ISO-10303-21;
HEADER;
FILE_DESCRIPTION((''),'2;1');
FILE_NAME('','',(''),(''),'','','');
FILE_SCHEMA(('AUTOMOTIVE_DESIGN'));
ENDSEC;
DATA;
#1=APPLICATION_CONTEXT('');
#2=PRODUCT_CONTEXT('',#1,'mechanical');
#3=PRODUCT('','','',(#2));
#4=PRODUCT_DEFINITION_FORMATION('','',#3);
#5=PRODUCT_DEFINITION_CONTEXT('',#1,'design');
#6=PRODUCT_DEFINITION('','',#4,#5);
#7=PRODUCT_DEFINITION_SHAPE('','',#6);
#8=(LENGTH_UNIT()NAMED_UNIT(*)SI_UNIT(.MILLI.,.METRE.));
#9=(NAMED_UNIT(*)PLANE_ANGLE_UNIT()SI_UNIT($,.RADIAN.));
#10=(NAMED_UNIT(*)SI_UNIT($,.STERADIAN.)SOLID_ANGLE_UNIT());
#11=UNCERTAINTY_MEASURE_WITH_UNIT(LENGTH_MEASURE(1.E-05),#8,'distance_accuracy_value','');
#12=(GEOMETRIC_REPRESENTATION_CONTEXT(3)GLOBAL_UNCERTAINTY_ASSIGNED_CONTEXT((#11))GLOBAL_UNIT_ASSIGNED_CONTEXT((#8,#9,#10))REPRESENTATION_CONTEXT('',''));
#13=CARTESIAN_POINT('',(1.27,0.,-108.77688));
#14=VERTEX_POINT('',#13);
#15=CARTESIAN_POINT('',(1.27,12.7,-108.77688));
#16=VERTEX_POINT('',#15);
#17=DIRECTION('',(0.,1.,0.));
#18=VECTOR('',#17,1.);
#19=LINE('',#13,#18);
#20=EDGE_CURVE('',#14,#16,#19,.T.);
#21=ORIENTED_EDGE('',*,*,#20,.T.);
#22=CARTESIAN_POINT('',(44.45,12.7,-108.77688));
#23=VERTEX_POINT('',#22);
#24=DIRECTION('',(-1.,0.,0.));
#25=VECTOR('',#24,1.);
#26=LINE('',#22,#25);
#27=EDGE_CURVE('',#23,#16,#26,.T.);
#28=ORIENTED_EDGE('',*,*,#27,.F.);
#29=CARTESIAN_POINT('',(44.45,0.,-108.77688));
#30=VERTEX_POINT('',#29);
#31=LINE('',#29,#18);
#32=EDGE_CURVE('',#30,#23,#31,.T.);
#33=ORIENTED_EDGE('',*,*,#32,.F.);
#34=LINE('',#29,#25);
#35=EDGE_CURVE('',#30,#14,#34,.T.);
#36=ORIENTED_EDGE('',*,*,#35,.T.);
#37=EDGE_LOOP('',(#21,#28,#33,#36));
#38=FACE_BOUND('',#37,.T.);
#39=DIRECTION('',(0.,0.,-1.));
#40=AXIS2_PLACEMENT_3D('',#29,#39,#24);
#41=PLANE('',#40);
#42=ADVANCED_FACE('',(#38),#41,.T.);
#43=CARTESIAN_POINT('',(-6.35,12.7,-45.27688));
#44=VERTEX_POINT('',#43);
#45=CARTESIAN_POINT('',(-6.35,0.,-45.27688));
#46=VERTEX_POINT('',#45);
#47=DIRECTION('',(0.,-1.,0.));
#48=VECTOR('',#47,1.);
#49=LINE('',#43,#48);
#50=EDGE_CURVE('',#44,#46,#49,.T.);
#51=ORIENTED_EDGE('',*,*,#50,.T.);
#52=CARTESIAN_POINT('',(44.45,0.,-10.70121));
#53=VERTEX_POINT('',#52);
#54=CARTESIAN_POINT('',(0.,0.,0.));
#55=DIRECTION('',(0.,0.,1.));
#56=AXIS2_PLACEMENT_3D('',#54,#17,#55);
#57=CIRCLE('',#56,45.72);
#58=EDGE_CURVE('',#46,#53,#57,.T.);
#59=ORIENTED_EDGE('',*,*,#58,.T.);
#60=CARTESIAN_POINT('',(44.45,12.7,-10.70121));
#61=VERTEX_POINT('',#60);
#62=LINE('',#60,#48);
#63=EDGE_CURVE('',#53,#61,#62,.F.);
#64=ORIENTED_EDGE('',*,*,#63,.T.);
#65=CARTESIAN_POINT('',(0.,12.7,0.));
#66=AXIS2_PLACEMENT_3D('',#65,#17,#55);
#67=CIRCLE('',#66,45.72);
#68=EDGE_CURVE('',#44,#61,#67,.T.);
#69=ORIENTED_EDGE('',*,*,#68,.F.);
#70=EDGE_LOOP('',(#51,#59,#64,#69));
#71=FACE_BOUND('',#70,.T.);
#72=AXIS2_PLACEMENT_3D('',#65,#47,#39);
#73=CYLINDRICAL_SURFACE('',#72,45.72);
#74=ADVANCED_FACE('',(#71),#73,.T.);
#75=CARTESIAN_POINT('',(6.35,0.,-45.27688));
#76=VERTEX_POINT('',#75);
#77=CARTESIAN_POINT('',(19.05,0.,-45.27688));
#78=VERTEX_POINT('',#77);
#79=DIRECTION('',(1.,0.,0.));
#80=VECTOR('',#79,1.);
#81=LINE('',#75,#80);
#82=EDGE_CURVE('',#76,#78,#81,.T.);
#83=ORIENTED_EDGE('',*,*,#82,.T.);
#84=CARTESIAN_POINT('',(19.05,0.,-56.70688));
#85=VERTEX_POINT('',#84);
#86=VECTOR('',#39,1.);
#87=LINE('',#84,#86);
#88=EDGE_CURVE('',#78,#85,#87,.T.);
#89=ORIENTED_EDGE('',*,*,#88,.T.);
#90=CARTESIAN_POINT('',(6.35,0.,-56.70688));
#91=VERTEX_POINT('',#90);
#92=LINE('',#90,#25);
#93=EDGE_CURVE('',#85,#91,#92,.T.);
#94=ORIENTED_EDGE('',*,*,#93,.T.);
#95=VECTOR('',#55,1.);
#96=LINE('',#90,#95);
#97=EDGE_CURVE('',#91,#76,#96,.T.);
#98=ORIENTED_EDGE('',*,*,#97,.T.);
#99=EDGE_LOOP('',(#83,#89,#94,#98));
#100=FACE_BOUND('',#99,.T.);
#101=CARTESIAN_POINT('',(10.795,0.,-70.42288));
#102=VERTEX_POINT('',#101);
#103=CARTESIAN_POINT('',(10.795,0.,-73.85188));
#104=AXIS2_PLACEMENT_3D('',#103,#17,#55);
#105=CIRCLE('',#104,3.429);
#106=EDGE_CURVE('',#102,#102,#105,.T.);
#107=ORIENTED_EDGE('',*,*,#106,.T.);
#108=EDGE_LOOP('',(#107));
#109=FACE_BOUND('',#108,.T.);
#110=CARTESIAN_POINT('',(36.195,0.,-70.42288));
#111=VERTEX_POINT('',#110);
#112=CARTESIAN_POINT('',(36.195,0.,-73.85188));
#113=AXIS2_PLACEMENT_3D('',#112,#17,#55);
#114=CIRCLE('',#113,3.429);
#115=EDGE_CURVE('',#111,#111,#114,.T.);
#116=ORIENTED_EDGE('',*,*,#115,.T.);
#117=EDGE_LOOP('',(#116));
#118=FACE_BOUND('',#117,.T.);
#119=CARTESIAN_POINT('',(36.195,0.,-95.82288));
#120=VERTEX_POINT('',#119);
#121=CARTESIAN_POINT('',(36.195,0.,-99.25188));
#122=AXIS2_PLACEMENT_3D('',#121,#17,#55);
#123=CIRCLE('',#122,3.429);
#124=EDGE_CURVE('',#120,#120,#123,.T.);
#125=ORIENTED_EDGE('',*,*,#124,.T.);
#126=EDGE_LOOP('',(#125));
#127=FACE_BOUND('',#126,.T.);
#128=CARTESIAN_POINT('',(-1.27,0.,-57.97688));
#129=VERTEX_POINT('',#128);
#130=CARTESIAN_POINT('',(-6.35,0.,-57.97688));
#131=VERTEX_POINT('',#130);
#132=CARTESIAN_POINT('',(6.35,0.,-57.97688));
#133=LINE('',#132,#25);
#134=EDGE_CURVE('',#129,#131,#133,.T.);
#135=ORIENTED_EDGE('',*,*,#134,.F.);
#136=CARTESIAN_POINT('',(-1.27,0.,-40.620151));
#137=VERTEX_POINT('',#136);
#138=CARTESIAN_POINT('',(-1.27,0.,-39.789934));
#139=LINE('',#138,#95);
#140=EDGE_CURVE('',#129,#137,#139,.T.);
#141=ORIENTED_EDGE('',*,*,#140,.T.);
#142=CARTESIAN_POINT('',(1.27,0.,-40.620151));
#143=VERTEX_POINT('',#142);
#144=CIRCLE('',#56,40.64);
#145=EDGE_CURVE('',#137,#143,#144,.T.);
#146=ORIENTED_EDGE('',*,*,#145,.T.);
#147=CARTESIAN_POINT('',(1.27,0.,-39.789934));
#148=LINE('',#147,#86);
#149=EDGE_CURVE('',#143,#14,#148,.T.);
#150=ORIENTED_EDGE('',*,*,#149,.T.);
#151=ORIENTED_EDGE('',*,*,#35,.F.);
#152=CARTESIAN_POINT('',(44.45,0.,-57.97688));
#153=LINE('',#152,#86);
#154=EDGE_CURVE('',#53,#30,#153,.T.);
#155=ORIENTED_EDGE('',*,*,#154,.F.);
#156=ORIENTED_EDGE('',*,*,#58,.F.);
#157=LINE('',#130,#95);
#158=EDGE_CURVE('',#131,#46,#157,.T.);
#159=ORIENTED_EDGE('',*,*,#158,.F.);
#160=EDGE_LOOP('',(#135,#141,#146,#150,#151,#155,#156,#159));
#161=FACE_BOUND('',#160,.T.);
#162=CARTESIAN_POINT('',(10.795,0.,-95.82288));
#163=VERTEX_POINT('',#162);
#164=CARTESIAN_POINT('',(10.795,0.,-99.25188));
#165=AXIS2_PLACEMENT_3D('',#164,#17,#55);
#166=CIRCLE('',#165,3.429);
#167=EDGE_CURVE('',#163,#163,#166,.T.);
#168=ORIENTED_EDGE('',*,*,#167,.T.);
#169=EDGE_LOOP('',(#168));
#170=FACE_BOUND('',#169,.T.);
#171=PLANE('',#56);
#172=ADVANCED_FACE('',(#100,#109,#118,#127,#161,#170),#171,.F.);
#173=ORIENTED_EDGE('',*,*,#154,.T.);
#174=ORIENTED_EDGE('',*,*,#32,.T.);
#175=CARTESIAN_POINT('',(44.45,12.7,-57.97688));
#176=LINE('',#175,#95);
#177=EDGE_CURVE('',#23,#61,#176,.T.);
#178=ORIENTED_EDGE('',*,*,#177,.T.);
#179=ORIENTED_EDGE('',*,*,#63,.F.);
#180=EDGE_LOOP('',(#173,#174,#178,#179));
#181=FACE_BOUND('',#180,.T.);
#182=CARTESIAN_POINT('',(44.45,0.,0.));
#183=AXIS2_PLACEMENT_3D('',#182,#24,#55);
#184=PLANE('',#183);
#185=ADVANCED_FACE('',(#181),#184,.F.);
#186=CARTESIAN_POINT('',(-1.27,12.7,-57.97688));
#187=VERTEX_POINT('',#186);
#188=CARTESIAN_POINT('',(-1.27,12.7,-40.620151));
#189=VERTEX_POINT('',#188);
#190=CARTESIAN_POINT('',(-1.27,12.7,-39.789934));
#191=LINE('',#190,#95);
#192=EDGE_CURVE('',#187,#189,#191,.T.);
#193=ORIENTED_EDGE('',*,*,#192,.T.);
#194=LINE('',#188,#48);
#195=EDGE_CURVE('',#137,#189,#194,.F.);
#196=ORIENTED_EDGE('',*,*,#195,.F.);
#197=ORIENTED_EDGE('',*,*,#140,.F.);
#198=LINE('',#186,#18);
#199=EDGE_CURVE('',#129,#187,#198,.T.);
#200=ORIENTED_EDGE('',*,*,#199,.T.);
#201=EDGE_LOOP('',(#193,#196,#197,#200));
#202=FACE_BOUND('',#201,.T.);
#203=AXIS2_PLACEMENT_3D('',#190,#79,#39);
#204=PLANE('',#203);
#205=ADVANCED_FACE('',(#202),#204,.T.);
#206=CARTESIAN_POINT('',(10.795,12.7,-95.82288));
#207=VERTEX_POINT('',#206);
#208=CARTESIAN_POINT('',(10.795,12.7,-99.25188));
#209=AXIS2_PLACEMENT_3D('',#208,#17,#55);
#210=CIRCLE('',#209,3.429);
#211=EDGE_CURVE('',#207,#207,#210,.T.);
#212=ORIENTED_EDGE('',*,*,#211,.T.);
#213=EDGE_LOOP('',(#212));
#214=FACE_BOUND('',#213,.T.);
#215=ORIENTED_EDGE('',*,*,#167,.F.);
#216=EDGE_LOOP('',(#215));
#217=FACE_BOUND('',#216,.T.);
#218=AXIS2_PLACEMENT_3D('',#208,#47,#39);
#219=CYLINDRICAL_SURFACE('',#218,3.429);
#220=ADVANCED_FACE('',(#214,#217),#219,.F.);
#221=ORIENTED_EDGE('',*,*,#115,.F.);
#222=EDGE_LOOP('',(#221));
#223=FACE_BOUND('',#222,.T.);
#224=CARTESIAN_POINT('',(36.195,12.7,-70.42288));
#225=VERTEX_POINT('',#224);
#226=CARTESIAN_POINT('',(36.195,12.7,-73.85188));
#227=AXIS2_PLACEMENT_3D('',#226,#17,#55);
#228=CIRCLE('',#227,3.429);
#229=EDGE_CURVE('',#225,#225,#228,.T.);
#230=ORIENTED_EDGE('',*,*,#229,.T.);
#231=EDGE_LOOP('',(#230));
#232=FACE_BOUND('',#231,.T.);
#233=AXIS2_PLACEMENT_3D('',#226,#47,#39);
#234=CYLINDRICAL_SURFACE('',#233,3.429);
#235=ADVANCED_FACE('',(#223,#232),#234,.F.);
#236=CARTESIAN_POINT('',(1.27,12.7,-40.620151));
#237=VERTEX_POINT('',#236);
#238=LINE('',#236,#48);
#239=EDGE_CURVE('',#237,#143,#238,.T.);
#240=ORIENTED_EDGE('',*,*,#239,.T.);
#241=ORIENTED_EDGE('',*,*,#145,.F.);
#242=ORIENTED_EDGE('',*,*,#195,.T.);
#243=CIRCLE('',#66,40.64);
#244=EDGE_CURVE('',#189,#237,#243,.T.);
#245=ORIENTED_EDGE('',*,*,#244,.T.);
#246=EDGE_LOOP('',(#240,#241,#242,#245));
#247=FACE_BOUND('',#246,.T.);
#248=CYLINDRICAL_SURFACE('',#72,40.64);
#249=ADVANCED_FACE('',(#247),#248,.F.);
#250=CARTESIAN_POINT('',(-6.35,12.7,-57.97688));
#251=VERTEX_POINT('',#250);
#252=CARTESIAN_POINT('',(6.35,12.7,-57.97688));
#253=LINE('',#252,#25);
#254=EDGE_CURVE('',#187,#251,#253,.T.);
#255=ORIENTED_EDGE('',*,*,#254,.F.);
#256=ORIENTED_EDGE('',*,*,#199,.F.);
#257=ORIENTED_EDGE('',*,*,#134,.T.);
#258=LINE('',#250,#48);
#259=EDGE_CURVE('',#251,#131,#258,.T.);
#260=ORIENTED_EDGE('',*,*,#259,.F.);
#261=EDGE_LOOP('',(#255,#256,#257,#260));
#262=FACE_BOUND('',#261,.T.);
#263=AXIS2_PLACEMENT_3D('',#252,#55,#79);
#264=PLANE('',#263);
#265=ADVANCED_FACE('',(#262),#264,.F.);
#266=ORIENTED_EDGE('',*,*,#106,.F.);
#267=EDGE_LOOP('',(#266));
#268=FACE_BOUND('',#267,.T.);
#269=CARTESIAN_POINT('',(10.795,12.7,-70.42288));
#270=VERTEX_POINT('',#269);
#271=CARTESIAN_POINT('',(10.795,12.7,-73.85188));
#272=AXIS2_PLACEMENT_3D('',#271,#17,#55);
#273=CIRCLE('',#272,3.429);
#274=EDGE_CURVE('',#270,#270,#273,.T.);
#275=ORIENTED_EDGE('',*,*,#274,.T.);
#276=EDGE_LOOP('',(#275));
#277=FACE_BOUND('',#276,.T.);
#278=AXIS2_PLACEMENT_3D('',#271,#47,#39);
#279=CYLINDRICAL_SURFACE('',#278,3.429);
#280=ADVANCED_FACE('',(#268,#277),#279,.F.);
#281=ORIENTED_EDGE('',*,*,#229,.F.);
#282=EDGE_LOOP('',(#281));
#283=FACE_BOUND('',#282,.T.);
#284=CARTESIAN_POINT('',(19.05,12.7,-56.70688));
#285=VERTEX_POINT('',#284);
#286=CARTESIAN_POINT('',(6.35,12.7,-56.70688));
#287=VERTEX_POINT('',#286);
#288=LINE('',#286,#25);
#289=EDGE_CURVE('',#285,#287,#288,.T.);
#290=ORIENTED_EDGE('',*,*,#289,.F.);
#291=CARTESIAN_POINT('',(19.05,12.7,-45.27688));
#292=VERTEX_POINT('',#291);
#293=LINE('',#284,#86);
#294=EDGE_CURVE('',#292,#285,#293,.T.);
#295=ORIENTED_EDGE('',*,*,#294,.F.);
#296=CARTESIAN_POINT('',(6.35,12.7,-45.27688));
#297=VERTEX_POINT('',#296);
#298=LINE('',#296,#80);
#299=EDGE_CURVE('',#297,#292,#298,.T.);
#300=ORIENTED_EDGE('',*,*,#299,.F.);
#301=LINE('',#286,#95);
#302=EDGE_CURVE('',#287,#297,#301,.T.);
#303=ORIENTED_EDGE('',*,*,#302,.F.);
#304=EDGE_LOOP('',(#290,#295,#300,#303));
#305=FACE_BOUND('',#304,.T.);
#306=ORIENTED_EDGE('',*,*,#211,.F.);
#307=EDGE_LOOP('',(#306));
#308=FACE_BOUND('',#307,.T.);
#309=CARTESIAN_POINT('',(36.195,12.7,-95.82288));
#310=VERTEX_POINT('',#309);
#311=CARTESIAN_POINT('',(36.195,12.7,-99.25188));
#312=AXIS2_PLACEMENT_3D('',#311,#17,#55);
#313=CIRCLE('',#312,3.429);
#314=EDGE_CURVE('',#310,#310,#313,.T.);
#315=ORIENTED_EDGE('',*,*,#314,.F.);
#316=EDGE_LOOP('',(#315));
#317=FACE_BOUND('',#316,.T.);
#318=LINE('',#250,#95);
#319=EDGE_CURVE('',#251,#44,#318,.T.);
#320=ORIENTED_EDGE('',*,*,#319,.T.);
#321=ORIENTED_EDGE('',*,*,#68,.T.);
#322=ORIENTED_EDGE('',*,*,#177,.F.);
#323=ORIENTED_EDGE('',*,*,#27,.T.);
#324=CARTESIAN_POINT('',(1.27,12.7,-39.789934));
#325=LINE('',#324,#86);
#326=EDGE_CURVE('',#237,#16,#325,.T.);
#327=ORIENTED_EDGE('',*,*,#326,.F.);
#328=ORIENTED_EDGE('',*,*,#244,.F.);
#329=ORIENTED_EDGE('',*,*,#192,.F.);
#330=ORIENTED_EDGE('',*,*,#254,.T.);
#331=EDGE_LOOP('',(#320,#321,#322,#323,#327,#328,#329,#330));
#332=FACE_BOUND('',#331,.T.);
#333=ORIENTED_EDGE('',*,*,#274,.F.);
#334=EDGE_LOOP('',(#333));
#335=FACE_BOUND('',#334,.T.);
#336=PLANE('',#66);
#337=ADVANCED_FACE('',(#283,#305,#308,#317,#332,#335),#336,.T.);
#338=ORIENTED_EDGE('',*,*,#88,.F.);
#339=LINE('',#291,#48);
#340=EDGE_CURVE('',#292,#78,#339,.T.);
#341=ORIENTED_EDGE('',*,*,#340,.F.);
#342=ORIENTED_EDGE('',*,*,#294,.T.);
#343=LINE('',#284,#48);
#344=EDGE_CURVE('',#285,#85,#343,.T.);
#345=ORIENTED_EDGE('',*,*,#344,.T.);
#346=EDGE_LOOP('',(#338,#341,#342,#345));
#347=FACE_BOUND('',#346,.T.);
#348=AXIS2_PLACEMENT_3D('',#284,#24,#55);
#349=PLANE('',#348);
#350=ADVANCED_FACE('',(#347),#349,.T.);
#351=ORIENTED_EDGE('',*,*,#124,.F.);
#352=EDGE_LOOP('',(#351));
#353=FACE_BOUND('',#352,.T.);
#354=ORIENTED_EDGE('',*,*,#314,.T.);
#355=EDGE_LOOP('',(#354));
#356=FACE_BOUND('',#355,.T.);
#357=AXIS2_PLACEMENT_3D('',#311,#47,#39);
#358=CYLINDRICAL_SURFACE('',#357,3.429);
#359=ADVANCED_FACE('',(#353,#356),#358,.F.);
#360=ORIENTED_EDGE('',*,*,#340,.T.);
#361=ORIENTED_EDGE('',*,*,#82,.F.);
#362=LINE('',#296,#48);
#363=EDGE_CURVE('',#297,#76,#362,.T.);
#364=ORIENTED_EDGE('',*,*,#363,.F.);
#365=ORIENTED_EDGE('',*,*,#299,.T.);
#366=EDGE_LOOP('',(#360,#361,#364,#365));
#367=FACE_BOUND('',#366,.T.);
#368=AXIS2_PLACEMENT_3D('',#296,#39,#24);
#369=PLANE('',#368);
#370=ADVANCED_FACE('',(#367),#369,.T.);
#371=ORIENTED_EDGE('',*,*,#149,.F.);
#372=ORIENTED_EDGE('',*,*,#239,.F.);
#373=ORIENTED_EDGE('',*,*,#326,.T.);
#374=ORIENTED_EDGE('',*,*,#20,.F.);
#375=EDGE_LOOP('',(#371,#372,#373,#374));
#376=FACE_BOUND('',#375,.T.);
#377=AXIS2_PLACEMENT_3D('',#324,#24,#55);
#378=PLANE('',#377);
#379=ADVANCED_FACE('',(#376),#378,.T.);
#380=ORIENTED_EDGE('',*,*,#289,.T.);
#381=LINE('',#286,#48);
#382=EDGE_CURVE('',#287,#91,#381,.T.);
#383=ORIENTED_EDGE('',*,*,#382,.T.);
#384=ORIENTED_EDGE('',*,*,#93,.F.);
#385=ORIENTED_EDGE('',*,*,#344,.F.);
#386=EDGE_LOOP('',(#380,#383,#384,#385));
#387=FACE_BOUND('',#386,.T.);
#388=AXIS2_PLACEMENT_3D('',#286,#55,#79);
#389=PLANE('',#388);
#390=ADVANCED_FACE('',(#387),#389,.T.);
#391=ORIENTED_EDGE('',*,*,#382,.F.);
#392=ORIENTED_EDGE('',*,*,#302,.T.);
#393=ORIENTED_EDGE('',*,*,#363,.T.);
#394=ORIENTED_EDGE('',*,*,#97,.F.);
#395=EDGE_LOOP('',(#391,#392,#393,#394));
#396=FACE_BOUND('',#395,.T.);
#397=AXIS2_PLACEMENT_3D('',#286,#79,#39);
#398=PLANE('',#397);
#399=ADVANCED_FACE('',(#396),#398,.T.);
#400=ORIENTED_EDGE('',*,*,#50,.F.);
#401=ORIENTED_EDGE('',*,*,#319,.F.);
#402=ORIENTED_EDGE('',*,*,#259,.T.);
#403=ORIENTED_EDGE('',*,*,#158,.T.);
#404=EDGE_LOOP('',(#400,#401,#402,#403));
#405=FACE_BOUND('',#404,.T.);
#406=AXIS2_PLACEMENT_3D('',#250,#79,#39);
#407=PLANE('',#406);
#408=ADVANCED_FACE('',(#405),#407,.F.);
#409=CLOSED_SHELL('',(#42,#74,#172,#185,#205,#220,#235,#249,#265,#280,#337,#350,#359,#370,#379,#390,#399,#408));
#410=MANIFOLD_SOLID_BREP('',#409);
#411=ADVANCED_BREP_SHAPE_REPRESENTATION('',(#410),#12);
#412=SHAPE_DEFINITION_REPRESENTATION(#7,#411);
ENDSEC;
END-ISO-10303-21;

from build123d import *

# Parameters (mm, degrees)
SKETCH1_R           = 45.72
SKETCH1_R_2         = 40.64
BOSS_EXTRUDE1_DEPTH = 12.7
SKETCH2_W           = 12.7
SKETCH2_H           = 12.7
BOSS_EXTRUDE2_DEPTH = 12.7
SKETCH4_W           = 2.54
SKETCH4_H           = 20.630054542
CUT_EXTRUDE2_DEPTH  = 75.919470517
BOSS_EXTRUDE3_REACH = 119.055
BOSS_EXTRUDE3_START = 38.1
SKETCH5_W           = 57.976880414
SKETCH5_H           = 12.7
SKETCH6_W           = 43.18
SKETCH6_H           = 50.8
BOSS_EXTRUDE4_DEPTH = 12.7
SKETCH7_R           = 3.429
SKETCH7_W           = 12.7
SKETCH7_H           = 11.43
CUT_EXTRUDE3_DEPTH  = 119.676105904


with BuildPart() as part:
    # Sketch1 → Boss-Extrude1 (new body)
    with BuildSketch(Plane(origin=(0, 0, 0), x_dir=(1, 0, 0), z_dir=(0, 1, 0))):
        with Locations(Location((0, 0, 0), (0, 0, 270))):
            Circle(SKETCH1_R)
        with Locations(Location((0, 0, 0), (0, 0, 270))):
            Circle(SKETCH1_R_2, mode=Mode.SUBTRACT)
    extrude(amount=BOSS_EXTRUDE1_DEPTH)

    # Sketch2 → Boss-Extrude2 (add)
    with BuildSketch(Plane(origin=(0, 0, 0), x_dir=(1, 0, 0), z_dir=(0, 1, 0))):
        with Locations((0, 51.626880414)):
            Rectangle(SKETCH2_W, SKETCH2_H)
    extrude(amount=BOSS_EXTRUDE2_DEPTH)

    # Sketch4 → Cut-Extrude2 (cut, through all)
    with BuildSketch(Plane(origin=(0, 0, 0), x_dir=(1, 0, 0), z_dir=(0, 1, 0))):
        with Locations((0, 50.104960897)):
            Rectangle(SKETCH4_W, SKETCH4_H)
    extrude(amount=CUT_EXTRUDE2_DEPTH, mode=Mode.SUBTRACT)

    # Sketch5 → Boss-Extrude3 (add, up to next)
    with BuildSketch(Plane(origin=(6.35, 0, 0), x_dir=(0, 0, -1), z_dir=(1, 0, 0)).offset(BOSS_EXTRUDE3_START), mode=Mode.PRIVATE) as boss_extrude3_sk1:
        with Locations((28.988440207, 6.35)):
            Rectangle(SKETCH5_W, SKETCH5_H)
    boss_extrude3_tool1 = extrude(boss_extrude3_sk1.sketch, amount=-BOSS_EXTRUDE3_REACH, mode=Mode.PRIVATE) - part.part
    add(boss_extrude3_tool1.solids().sort_by_distance((44.45, 6.35, -28.98844))[0])

    # Sketch6 → Boss-Extrude4 (add)
    with BuildSketch(Plane(origin=(0, 12.7, 0), x_dir=(1, 0, 0), z_dir=(0, 1, 0))):
        with Locations((22.86, 83.376880414)):
            Rectangle(SKETCH6_W, SKETCH6_H)
    extrude(amount=-BOSS_EXTRUDE4_DEPTH)

    # Sketch7 → Cut-Extrude3 (cut, through all)
    with BuildSketch(Plane(origin=(0, 0, 0), x_dir=(1, 0, 0), z_dir=(0, 1, 0))):
        with Locations(Location((10.795, 99.251880414, 0), (0, 0, 270))):
            Circle(SKETCH7_R)
        with Locations(Location((36.195, 99.251880414, 0), (0, 0, 270))):
            Circle(SKETCH7_R)
        with Locations(Location((36.195, 73.851880414, 0), (0, 0, 270))):
            Circle(SKETCH7_R)
        with Locations(Location((10.795, 73.851880414, 0), (0, 0, 270))):
            Circle(SKETCH7_R)
        with Locations((12.7, 50.991880414)):
            Rectangle(SKETCH7_W, SKETCH7_H)
    extrude(amount=CUT_EXTRUDE3_DEPTH, mode=Mode.SUBTRACT)


solid = part.part
